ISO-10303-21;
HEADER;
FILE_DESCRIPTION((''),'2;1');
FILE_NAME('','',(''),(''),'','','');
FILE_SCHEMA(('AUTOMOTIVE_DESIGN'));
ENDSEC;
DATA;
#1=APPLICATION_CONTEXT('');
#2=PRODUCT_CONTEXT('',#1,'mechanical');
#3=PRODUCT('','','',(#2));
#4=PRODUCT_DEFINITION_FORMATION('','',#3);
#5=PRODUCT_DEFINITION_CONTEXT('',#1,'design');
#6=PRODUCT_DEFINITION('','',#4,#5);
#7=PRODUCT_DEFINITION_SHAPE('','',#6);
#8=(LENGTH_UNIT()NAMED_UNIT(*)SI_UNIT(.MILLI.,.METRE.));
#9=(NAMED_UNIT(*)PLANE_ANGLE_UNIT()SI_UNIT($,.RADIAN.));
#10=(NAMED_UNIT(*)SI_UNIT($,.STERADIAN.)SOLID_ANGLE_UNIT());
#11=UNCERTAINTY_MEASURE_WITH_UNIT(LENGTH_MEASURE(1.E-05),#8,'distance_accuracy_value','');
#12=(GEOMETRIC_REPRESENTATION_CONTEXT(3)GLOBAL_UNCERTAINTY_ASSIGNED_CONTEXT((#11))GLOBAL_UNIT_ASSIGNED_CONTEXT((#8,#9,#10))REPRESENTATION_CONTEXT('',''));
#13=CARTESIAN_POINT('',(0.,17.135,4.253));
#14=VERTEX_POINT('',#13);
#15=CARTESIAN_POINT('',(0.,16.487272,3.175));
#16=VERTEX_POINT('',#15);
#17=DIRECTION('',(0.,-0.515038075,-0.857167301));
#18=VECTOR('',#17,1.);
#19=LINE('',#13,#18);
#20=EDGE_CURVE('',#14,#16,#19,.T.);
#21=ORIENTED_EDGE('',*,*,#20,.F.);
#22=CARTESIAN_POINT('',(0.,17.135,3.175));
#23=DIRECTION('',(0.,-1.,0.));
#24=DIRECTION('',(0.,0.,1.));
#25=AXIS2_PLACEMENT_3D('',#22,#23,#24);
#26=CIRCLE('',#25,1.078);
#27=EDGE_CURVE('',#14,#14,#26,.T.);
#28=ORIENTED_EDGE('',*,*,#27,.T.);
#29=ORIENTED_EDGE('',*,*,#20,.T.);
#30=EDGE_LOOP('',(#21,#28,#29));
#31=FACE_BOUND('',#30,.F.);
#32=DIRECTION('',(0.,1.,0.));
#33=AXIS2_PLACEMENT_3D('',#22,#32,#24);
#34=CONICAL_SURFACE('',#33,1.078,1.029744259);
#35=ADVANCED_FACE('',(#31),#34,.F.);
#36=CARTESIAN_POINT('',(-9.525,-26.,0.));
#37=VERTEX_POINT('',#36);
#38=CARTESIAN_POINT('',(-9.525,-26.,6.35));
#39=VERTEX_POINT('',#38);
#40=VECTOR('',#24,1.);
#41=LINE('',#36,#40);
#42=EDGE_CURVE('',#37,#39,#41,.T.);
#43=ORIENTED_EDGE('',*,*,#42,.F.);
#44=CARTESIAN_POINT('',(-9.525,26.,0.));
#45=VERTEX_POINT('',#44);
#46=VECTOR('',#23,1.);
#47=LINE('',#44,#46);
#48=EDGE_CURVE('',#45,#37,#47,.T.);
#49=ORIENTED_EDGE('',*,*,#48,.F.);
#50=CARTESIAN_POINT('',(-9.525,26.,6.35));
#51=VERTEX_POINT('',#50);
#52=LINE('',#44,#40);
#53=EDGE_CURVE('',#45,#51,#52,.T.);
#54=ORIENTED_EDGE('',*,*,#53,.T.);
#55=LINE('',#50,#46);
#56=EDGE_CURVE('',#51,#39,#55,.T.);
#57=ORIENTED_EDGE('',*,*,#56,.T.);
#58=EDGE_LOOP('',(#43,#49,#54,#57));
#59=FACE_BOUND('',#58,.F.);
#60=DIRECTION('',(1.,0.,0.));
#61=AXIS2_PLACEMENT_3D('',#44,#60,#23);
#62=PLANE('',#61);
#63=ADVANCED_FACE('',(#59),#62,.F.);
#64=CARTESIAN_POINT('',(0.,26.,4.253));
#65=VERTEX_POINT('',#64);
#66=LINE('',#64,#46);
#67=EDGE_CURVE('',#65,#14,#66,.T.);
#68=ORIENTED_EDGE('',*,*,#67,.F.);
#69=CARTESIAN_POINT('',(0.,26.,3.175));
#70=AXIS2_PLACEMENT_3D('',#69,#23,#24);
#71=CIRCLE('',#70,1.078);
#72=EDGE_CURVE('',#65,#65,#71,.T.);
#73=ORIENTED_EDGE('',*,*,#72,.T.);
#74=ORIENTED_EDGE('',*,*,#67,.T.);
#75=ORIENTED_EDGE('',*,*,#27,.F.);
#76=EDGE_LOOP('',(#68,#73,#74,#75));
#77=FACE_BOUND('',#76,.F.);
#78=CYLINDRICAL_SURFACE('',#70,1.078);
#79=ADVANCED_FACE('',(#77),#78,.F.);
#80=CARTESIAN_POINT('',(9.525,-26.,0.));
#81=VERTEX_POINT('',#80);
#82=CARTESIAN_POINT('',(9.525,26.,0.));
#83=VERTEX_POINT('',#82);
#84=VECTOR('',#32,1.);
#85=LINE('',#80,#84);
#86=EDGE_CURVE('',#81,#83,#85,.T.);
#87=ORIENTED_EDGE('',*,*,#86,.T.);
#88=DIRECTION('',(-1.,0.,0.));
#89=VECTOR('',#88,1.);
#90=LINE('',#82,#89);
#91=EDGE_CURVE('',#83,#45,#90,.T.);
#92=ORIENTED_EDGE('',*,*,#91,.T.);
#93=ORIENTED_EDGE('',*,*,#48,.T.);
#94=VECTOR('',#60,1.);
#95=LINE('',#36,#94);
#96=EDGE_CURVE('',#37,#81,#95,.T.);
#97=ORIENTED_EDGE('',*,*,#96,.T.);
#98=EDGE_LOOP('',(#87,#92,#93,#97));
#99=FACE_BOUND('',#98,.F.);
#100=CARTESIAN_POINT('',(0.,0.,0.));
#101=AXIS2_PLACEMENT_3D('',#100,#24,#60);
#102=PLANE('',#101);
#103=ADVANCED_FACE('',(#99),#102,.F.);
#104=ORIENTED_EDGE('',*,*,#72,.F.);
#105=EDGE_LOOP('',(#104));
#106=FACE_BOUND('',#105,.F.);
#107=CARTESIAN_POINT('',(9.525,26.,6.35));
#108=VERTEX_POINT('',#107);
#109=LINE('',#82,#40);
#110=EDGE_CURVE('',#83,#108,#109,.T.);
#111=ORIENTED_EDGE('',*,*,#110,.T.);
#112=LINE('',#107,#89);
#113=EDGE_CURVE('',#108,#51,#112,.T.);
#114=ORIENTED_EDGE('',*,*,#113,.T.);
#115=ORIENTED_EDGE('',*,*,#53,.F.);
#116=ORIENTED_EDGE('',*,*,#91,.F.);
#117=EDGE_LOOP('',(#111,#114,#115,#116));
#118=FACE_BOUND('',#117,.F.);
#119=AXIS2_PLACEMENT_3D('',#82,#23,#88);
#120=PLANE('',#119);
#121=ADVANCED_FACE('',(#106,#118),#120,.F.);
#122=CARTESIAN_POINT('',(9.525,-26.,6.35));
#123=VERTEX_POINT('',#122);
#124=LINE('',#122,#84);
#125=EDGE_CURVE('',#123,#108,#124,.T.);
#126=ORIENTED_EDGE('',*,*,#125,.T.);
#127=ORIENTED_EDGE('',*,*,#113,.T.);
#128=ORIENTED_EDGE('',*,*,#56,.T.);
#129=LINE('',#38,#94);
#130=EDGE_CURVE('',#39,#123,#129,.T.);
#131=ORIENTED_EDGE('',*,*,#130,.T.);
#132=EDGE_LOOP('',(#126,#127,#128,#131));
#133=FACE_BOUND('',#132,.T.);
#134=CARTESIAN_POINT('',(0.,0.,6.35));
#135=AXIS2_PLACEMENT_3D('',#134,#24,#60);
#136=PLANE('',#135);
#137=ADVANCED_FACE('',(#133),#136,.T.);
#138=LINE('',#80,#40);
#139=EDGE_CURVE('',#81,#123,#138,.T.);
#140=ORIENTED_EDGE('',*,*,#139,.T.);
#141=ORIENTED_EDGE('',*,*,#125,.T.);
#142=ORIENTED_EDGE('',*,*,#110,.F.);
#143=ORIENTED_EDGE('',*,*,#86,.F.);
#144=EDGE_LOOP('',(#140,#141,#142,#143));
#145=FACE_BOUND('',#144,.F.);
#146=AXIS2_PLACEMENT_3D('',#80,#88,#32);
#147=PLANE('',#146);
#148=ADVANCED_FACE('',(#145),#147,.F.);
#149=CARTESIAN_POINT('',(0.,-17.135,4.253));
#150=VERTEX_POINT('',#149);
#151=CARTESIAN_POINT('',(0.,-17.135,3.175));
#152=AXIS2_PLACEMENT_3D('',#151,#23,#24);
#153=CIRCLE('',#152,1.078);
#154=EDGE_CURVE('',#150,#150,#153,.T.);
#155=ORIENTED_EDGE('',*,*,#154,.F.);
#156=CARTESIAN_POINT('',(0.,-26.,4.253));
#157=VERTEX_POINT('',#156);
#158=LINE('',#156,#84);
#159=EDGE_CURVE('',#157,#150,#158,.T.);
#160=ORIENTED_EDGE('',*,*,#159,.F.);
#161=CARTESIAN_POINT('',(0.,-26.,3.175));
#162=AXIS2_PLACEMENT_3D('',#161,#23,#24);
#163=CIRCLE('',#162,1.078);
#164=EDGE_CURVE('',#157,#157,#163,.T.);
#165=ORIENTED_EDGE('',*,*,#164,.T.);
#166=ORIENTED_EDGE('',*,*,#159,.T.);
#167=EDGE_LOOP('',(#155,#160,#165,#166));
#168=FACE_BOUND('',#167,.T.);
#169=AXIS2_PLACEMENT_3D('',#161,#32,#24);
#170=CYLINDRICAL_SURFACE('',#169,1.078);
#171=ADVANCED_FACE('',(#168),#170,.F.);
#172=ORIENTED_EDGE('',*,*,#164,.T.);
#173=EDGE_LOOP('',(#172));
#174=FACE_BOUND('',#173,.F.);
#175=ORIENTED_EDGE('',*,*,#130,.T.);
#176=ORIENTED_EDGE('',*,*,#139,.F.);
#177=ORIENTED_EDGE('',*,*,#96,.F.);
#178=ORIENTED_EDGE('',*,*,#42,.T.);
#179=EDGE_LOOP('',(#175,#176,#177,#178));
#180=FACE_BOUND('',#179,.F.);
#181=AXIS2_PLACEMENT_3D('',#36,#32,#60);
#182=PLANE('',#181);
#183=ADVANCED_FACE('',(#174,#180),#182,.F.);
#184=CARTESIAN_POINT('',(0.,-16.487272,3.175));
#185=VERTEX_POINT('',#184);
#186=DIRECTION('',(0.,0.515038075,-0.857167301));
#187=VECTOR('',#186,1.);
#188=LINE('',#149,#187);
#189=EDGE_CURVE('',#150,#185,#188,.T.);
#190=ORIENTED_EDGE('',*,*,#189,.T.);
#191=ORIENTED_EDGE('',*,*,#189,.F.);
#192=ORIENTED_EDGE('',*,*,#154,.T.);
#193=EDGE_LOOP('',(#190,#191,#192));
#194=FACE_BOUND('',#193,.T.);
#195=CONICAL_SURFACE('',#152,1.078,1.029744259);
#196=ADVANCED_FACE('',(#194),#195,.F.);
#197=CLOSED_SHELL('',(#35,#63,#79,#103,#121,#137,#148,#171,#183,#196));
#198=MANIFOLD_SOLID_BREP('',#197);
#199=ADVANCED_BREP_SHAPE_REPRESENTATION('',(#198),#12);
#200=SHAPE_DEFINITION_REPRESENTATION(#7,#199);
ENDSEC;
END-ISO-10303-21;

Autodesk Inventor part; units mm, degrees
ref_plane "YZ Plane" through (0, 0, 0) normal (1, 0, 0) x (0, 1, 0)
ref_plane "XZ Plane" through (0, 0, 0) normal (0, 1, 0) x (-1, 0, 0)
ref_plane "XY Plane" through (0, 0, 0) normal (0, 0, 1) x (1, 0, 0)
sketch "Sketch1" plane through (0, 0, 0) normal (0, 0, 1) x (1, 0, 0)
  line L0 (-9.525, -26) -> (9.525, -26)
  line L1 (9.525, -26) -> (9.525, 26)
  line L2 (9.525, 26) -> (-9.525, 26)
  line L3 (-9.525, 26) -> (-9.525, -26)
  line L4 (-9.525, -26) -> (9.525, 26) construction
  line L5 (9.525, -26) -> (-9.525, 26) construction
  point P0 (0, 0)
  dimension "d0" = 19.05
  dimension "d1" = 52
extrude "Extrusion1" add sketch "Sketch1" along normal blind 6.35
sketch "Sketch3" plane through (-9.525, 26, 0) normal (0, 1, 0) x (1, 0, 0)
  line L0 (19.05, 0) -> (0, 0) projected
  line L1 (0, 0) -> (0, -6.35) projected
  line L2 (19.05, -6.35) -> (0, -6.35) projected
  line L3 (19.05, 0) -> (19.05, -6.35) projected
  line L4 (0, 0) -> (0, -6.35) projected
  line L5 (0, 0) -> (19.05, -6.35)
  point P0 (9.525, 0)
  point P1 (9.525, -3.175)
hole "Hole1" at (0, 26, 3.175) direction (0, -1, 0) diameter 2.156 depth 8.865 tip angle 118 thread size "4-40 UNC" class "2B" standard "ANSI Unified Screw Threads"
mirror "Mirror1" about plane through (0, 0, 0) normal (0, 1, 0) of "Hole1"
equation "\"d0\" = sensorHolderDepth"
equation "\"d1\" = detectorWidth"
equation "\"d2\" = acrylicThickness"
equation "\"acrylicThickness\" = 6.35"
equation "\"height\" = 127"
equation "\"width\" = 127"
equation "\"depth\" = 273.05"
equation "\"mirrorAngle\" = 5deg"
equation "\"detectorWidth\" = 52"
equation "\"detectorHeight\" = 52"
equation "\"mirrorThickness\" = 3.175"
equation "\"fresnelThickness\" = 0.1"
equation "\"focalLength\" = 76.2"
equation "\"ior\" = 1.49"
equation "\"centerThickness\" = 1.524"
equation "\"fresnelAngle\" = 90deg"
equation "\"fresnelEffectiveDiameter\" = 152.4"
equation "\"mirrorSuppourtWidth\" = 38.1"
equation "\"backGrooveBit\" = 4.8006"
equation "\"detectorOpeningWidth\" = 76.2"
equation "\"detectorOpeningHeight\" = 76.2"
equation "\"sensorHolderSensorHeight\" = 53.975"
equation "\"sensorHolderSensorWidth\" = 53.975"
equation "\"oRingWidth\" = 1.5875"
equation "\"sensorHolderORingID\" = 203.2"
equation "\"sensorHolderFlushORingID\" = 304.8"
equation "\"frontBackORingID\" = 419.1"
equation "\"mirrorGroove\" = 19.05"
equation "\"backMirrorGroove\" = 6.35"
equation "\"fresnelMirrorChamfer\" = 6.35"
equation "\"mirrorGrooveMill\" = 3.175"
equation "\"sensorHolderDepth\" = 19.05"
equation "\"frameAcrylicThickness\" = 9.525"
equation "\"internalAcrylicThicnkess\" = 6.35"
equation "\"internalAcrylicThickness\" = 6.35"
equation "\"aerogelClearence\" = 3.175"
equation "\"backplanePCBWidth\" = 76.2"
equation "\"backplanePostionOffsett\" = 12.7"
equation "\"backplaneHoleOffsett\" = 6.35"
equation "\"backplanePCBHeight\" = 76.2"
equation "\"moduleSlotClearence\" = 0.79375"
properties part number "detectorSuppourt" material "ABS Plastic"
